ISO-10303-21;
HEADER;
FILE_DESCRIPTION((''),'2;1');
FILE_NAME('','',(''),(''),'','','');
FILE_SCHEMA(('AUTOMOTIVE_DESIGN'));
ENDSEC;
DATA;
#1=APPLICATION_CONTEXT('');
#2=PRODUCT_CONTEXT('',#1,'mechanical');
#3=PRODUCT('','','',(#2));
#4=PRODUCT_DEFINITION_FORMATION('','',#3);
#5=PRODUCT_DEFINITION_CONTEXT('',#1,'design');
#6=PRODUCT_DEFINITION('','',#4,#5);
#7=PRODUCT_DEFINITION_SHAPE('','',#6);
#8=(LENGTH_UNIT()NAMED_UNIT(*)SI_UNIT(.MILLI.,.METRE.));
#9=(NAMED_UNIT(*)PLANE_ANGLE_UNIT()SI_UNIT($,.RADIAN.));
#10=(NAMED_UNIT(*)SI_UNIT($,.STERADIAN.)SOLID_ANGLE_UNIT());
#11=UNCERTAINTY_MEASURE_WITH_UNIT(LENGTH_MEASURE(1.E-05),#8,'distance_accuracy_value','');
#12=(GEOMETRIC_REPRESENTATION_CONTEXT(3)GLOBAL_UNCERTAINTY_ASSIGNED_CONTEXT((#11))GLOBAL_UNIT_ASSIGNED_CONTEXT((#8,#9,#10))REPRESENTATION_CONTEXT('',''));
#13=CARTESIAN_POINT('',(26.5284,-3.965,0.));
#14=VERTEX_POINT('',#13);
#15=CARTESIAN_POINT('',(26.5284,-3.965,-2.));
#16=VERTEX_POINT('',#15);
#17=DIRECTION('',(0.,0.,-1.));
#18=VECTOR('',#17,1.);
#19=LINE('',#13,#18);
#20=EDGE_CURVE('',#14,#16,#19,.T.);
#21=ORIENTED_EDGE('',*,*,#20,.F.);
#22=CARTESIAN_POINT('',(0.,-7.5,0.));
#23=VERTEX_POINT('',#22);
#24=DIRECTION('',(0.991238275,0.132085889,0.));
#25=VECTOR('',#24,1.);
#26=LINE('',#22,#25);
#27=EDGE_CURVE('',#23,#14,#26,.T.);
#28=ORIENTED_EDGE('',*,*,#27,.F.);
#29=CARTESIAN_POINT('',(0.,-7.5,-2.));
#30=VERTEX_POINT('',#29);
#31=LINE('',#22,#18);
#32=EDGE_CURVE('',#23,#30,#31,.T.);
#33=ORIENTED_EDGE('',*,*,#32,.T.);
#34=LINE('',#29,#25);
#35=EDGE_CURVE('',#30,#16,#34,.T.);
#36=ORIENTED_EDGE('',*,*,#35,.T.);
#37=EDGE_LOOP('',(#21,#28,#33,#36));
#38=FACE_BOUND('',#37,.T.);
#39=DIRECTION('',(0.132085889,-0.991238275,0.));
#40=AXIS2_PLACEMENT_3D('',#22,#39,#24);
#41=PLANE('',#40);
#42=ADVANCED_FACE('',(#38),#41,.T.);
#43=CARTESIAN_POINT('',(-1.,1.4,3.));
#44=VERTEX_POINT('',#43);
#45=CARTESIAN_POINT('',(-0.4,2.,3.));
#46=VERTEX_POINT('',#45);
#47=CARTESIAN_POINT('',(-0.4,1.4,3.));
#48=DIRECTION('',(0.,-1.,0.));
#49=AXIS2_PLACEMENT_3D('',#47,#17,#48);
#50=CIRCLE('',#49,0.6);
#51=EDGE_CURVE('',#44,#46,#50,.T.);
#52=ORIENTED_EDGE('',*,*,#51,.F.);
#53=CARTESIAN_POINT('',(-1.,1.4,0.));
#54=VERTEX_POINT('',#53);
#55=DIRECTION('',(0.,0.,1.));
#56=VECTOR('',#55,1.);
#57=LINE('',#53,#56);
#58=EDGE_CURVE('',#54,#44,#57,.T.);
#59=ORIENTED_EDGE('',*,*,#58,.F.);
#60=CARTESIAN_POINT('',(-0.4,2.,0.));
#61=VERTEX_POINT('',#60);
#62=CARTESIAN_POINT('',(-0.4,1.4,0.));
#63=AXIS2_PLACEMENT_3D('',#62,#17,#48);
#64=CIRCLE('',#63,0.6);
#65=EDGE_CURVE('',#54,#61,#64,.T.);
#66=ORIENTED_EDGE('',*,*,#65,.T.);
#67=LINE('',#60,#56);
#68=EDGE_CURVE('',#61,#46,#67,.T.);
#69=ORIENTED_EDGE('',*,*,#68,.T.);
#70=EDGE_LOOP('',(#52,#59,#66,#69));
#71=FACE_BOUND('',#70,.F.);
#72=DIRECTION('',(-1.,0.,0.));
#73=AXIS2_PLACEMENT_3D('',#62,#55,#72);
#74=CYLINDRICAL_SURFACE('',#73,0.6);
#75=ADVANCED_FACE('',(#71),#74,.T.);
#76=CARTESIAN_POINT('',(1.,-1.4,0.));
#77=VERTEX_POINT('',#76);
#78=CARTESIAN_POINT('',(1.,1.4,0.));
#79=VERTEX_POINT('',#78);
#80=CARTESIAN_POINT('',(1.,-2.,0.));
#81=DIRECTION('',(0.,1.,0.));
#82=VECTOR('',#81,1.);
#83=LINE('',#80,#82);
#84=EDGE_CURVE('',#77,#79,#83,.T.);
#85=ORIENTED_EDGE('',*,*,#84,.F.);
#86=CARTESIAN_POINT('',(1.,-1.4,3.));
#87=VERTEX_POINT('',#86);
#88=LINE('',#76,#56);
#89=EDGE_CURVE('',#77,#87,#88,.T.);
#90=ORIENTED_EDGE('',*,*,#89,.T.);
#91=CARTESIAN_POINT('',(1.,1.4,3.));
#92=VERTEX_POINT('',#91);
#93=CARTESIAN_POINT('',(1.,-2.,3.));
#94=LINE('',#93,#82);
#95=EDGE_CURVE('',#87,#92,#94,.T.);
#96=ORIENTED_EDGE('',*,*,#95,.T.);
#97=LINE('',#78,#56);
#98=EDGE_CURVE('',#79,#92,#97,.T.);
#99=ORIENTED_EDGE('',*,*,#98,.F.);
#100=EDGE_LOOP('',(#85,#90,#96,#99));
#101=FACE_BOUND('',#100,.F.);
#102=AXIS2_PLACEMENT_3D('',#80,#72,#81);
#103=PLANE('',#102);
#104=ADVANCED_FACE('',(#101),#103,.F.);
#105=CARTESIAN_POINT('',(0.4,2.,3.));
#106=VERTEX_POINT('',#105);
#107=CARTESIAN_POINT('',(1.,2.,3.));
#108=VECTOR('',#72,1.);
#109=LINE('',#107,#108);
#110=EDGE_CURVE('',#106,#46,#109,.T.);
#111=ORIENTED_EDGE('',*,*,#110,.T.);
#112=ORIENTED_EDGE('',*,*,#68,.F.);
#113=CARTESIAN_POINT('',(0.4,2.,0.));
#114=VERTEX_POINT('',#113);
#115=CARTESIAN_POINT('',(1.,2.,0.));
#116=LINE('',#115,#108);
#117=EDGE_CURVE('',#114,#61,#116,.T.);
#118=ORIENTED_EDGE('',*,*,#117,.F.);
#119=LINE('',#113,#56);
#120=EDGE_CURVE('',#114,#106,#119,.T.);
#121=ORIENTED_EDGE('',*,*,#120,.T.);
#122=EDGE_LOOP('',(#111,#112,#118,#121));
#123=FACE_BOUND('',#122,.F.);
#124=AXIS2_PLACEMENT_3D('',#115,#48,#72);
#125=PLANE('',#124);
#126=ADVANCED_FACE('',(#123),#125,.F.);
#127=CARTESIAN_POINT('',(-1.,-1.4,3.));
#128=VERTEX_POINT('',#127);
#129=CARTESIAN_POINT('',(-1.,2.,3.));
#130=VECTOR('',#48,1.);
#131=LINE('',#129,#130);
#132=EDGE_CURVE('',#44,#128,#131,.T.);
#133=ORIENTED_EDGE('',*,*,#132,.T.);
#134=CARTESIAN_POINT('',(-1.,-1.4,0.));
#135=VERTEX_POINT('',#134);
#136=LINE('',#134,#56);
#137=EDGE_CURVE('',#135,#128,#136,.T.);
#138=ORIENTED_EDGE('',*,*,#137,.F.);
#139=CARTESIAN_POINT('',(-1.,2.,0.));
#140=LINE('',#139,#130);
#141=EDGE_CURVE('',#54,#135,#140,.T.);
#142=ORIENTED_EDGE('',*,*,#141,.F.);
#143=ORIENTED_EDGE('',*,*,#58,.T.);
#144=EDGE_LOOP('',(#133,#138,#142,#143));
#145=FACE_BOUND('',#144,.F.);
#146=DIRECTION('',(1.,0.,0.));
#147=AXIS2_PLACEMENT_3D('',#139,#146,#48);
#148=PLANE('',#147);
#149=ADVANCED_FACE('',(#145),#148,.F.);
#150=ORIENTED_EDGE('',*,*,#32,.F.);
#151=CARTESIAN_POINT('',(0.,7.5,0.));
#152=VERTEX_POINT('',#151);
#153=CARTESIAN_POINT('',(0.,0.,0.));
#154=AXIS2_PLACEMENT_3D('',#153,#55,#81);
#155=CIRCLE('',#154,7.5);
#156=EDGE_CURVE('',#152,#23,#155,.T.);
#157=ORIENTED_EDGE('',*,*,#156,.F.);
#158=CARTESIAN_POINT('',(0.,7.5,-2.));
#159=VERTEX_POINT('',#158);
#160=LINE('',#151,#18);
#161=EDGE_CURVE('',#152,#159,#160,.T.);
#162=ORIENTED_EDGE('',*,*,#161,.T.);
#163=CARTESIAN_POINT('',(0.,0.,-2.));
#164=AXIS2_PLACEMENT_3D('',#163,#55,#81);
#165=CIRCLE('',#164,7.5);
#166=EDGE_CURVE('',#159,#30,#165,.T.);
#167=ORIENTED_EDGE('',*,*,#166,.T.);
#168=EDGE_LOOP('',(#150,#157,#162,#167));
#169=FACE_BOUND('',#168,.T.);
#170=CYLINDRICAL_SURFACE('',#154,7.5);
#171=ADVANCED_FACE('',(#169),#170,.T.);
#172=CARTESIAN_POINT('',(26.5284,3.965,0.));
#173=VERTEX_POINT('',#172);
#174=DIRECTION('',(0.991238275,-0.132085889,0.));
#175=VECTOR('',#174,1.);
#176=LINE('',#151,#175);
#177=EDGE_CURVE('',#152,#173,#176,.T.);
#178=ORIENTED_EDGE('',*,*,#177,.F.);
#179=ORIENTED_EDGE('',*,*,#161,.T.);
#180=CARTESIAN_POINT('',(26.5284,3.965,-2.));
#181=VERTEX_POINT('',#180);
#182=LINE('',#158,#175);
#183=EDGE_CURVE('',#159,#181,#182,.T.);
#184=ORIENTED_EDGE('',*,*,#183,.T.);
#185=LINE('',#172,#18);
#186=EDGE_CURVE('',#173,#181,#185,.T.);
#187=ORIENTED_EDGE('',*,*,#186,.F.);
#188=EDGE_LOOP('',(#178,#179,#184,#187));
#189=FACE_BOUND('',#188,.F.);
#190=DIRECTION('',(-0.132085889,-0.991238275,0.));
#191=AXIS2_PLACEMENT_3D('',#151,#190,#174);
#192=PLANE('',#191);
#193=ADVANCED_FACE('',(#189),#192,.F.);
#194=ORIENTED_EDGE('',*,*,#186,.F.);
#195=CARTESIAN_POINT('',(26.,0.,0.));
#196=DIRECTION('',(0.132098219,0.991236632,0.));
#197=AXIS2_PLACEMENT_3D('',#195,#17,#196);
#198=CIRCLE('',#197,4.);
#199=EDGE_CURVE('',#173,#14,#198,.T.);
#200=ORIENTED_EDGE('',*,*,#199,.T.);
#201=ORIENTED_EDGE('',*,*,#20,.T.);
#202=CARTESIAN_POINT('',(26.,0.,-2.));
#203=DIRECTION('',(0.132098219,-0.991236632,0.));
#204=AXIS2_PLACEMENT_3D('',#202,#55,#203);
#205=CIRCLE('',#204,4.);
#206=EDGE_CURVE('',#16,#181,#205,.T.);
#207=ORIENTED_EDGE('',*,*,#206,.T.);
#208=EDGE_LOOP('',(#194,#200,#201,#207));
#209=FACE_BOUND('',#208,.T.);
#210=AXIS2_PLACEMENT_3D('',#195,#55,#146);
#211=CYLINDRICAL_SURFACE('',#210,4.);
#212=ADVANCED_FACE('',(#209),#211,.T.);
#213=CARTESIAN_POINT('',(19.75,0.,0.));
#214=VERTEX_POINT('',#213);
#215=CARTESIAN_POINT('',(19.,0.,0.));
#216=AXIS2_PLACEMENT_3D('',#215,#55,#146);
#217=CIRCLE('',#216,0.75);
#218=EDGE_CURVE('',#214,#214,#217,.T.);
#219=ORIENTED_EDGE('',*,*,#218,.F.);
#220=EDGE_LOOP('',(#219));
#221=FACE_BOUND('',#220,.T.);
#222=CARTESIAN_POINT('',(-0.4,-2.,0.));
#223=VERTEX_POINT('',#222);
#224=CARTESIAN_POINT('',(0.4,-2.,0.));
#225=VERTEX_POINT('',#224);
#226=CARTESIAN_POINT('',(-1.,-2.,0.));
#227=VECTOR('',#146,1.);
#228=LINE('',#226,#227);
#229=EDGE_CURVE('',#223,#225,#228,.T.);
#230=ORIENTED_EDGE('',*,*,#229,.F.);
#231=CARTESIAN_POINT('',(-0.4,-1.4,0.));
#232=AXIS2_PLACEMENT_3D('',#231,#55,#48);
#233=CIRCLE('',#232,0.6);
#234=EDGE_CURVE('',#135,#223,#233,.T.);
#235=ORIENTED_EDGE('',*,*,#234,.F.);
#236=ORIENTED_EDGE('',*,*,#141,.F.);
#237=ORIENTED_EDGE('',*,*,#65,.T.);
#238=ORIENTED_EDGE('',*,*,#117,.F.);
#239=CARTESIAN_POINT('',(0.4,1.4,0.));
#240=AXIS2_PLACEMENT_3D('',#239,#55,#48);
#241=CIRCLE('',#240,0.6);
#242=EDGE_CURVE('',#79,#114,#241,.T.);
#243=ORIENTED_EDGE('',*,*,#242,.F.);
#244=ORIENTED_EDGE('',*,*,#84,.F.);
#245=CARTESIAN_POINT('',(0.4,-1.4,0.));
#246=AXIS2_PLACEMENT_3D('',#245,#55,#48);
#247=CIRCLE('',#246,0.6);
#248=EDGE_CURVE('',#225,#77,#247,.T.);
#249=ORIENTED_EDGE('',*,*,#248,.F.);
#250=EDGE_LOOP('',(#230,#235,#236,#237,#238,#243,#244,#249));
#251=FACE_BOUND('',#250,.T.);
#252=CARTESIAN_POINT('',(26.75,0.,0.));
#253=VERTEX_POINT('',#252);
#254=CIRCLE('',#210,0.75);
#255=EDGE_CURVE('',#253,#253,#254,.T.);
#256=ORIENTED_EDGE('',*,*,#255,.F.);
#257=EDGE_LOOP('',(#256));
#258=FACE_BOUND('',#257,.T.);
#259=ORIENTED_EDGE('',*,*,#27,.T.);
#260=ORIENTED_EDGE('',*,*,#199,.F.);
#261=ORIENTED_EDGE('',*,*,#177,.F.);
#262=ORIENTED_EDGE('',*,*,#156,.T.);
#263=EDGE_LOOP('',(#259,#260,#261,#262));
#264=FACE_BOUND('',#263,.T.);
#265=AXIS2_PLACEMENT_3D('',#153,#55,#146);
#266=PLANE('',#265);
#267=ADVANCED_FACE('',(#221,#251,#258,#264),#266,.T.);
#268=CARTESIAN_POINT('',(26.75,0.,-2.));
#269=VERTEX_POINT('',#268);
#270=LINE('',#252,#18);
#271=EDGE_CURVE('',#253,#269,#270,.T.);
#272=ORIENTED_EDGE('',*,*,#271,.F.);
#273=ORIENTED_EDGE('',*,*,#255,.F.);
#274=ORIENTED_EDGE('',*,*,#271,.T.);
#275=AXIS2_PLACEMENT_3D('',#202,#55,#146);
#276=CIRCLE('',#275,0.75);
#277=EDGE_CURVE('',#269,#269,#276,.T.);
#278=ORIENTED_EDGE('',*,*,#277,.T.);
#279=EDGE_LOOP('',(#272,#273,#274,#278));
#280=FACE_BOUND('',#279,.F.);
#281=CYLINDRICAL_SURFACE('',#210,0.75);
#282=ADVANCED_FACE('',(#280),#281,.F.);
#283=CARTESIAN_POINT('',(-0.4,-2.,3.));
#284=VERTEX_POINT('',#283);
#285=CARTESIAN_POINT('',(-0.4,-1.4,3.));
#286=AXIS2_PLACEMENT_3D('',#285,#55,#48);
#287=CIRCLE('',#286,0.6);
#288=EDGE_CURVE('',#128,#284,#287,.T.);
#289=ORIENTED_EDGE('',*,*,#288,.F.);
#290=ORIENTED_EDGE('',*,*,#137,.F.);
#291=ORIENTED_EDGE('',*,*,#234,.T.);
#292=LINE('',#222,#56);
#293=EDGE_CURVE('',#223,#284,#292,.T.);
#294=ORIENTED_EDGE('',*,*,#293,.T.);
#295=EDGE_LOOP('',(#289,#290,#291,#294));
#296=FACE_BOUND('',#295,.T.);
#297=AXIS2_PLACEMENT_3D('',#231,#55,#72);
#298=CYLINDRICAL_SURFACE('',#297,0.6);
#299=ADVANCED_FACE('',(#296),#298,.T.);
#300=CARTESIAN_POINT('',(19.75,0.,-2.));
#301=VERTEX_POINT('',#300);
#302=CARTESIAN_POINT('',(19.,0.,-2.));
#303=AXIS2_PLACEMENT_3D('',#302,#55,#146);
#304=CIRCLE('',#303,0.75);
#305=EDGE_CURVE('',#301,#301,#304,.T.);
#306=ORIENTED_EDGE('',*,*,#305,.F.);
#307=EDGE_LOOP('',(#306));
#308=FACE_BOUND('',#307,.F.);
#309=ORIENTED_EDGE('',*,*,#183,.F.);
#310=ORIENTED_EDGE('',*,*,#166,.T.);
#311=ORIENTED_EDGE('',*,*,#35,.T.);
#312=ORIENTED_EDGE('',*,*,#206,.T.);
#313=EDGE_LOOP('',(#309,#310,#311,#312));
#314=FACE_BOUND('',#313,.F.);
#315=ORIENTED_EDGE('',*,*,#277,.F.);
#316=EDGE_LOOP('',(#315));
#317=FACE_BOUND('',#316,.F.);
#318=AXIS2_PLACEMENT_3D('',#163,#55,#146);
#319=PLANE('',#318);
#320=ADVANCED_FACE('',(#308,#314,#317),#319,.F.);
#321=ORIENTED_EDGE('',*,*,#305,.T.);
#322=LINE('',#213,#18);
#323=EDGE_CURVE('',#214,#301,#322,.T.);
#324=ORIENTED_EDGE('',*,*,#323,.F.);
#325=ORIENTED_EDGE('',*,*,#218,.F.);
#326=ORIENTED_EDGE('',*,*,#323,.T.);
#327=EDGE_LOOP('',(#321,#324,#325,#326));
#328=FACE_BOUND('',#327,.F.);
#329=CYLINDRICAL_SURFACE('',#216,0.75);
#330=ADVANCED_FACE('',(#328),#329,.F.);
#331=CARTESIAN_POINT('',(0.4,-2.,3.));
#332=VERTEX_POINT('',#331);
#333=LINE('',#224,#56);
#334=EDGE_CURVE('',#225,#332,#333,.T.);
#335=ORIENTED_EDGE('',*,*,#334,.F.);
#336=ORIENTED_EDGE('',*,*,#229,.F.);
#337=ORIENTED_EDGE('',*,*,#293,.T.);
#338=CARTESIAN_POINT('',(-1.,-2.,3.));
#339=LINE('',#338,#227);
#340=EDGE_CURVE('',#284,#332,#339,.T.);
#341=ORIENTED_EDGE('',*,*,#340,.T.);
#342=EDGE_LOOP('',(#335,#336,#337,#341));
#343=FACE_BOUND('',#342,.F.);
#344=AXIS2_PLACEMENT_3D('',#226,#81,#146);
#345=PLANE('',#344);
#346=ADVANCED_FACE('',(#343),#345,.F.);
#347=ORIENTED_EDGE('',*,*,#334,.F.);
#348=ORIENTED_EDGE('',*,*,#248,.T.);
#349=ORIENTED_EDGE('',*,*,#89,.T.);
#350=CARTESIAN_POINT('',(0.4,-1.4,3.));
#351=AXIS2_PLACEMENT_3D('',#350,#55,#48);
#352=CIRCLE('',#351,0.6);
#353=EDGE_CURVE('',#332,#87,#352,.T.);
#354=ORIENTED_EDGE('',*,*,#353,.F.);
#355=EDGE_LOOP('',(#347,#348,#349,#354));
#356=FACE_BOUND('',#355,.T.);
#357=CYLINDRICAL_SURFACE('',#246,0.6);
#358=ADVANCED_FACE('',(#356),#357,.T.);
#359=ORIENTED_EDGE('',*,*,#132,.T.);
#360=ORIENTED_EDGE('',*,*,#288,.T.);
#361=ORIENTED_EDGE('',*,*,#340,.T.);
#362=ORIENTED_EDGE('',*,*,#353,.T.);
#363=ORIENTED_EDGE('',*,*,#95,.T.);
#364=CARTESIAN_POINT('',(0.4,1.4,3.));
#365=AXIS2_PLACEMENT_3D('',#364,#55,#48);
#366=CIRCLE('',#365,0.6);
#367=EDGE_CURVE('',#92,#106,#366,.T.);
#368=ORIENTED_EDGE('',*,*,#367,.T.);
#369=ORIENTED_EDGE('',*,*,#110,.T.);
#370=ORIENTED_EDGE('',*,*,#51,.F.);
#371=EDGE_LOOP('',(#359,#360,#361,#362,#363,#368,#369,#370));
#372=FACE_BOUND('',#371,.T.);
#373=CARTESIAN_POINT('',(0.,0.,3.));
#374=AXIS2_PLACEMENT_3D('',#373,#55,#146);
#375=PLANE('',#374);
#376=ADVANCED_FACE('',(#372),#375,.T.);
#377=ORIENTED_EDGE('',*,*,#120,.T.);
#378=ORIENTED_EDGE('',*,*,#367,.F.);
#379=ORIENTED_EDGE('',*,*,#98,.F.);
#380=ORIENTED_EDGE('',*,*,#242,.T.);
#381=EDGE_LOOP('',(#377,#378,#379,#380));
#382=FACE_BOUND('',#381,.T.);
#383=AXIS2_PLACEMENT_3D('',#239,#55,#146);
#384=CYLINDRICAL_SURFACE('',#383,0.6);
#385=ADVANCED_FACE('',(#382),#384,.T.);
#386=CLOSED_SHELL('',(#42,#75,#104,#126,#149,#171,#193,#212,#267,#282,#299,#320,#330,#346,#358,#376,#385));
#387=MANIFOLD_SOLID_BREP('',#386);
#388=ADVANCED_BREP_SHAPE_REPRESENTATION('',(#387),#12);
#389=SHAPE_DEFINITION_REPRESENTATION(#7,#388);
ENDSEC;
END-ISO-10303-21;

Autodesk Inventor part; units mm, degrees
ref_plane "YZ Plane" through (0, 0, 0) normal (1, 0, 0) x (0, 1, 0)
ref_plane "XZ Plane" through (0, 0, 0) normal (0, 1, 0) x (-1, 0, 0)
ref_plane "XY Plane" through (0, 0, 0) normal (0, 0, 1) x (1, 0, 0)
sketch "Szkic1" plane through (0, 0, 0) normal (0, 0, 1) x (1, 0, 0)
  circle A0 centre (0, 0) radius 7.5 construction
  line L0 (0, 7.5) -> (30, 7.5)
  line L1 (30, 7.5) -> (30, -7.5)
  line L2 (30, -7.5) -> (0, -7.5)
  line L3 (0, -7.5) -> (0, 7.5) construction
  arc A1 (0, 7.5) -> (0, -7.5) centre (0, 0) ccw
  line L4 (-1, -2) -> (1, -2)
  line L5 (1, -2) -> (1, 2)
  line L6 (1, 2) -> (-1, 2)
  line L7 (-1, 2) -> (-1, -2)
  line L8 (-1, -2) -> (1, 2) construction
  line L9 (1, -2) -> (-1, 2) construction
  circle A2 centre (26, 0) radius 4
  line L10 (-15, 0) -> (37.5, 0) construction
  line L11 (0, 7.5) -> (26.5284, 3.965)
  line L12 (0, -7.5) -> (26.5284, -3.965)
  circle A3 centre (26, 0) radius 0.75
  circle A4 centre (19, 0) radius 0.75
  point P0 (30, 0)
  dimension "d0" = 15
  dimension "d1" = 2
  dimension "d2" = 4
  dimension "d3" = 30
  dimension "d8" = 8
  dimension "d9" = 1.5
  dimension "d10" = 1.5
  dimension "d11" = 7
  dimension "d12" = 19
extrude "Wyciągnięcie proste1" add sketch "Szkic1" against normal blind 2 contours L11 A2 L12 A1 | A2 | L7 L6 L5 L4
extrude "Wyciągnięcie proste2" add sketch "Szkic1" along normal blind 3 contours L7 L6 L5 L4
fillet "Zaokrąglenie1" radius 0.6 4 edges at (-1, -2, 1.5) (1, -2, 1.5) (-1, 2, 1.5) (1, 2, 1.5)
properties part number "tweaker" material "PLA"
